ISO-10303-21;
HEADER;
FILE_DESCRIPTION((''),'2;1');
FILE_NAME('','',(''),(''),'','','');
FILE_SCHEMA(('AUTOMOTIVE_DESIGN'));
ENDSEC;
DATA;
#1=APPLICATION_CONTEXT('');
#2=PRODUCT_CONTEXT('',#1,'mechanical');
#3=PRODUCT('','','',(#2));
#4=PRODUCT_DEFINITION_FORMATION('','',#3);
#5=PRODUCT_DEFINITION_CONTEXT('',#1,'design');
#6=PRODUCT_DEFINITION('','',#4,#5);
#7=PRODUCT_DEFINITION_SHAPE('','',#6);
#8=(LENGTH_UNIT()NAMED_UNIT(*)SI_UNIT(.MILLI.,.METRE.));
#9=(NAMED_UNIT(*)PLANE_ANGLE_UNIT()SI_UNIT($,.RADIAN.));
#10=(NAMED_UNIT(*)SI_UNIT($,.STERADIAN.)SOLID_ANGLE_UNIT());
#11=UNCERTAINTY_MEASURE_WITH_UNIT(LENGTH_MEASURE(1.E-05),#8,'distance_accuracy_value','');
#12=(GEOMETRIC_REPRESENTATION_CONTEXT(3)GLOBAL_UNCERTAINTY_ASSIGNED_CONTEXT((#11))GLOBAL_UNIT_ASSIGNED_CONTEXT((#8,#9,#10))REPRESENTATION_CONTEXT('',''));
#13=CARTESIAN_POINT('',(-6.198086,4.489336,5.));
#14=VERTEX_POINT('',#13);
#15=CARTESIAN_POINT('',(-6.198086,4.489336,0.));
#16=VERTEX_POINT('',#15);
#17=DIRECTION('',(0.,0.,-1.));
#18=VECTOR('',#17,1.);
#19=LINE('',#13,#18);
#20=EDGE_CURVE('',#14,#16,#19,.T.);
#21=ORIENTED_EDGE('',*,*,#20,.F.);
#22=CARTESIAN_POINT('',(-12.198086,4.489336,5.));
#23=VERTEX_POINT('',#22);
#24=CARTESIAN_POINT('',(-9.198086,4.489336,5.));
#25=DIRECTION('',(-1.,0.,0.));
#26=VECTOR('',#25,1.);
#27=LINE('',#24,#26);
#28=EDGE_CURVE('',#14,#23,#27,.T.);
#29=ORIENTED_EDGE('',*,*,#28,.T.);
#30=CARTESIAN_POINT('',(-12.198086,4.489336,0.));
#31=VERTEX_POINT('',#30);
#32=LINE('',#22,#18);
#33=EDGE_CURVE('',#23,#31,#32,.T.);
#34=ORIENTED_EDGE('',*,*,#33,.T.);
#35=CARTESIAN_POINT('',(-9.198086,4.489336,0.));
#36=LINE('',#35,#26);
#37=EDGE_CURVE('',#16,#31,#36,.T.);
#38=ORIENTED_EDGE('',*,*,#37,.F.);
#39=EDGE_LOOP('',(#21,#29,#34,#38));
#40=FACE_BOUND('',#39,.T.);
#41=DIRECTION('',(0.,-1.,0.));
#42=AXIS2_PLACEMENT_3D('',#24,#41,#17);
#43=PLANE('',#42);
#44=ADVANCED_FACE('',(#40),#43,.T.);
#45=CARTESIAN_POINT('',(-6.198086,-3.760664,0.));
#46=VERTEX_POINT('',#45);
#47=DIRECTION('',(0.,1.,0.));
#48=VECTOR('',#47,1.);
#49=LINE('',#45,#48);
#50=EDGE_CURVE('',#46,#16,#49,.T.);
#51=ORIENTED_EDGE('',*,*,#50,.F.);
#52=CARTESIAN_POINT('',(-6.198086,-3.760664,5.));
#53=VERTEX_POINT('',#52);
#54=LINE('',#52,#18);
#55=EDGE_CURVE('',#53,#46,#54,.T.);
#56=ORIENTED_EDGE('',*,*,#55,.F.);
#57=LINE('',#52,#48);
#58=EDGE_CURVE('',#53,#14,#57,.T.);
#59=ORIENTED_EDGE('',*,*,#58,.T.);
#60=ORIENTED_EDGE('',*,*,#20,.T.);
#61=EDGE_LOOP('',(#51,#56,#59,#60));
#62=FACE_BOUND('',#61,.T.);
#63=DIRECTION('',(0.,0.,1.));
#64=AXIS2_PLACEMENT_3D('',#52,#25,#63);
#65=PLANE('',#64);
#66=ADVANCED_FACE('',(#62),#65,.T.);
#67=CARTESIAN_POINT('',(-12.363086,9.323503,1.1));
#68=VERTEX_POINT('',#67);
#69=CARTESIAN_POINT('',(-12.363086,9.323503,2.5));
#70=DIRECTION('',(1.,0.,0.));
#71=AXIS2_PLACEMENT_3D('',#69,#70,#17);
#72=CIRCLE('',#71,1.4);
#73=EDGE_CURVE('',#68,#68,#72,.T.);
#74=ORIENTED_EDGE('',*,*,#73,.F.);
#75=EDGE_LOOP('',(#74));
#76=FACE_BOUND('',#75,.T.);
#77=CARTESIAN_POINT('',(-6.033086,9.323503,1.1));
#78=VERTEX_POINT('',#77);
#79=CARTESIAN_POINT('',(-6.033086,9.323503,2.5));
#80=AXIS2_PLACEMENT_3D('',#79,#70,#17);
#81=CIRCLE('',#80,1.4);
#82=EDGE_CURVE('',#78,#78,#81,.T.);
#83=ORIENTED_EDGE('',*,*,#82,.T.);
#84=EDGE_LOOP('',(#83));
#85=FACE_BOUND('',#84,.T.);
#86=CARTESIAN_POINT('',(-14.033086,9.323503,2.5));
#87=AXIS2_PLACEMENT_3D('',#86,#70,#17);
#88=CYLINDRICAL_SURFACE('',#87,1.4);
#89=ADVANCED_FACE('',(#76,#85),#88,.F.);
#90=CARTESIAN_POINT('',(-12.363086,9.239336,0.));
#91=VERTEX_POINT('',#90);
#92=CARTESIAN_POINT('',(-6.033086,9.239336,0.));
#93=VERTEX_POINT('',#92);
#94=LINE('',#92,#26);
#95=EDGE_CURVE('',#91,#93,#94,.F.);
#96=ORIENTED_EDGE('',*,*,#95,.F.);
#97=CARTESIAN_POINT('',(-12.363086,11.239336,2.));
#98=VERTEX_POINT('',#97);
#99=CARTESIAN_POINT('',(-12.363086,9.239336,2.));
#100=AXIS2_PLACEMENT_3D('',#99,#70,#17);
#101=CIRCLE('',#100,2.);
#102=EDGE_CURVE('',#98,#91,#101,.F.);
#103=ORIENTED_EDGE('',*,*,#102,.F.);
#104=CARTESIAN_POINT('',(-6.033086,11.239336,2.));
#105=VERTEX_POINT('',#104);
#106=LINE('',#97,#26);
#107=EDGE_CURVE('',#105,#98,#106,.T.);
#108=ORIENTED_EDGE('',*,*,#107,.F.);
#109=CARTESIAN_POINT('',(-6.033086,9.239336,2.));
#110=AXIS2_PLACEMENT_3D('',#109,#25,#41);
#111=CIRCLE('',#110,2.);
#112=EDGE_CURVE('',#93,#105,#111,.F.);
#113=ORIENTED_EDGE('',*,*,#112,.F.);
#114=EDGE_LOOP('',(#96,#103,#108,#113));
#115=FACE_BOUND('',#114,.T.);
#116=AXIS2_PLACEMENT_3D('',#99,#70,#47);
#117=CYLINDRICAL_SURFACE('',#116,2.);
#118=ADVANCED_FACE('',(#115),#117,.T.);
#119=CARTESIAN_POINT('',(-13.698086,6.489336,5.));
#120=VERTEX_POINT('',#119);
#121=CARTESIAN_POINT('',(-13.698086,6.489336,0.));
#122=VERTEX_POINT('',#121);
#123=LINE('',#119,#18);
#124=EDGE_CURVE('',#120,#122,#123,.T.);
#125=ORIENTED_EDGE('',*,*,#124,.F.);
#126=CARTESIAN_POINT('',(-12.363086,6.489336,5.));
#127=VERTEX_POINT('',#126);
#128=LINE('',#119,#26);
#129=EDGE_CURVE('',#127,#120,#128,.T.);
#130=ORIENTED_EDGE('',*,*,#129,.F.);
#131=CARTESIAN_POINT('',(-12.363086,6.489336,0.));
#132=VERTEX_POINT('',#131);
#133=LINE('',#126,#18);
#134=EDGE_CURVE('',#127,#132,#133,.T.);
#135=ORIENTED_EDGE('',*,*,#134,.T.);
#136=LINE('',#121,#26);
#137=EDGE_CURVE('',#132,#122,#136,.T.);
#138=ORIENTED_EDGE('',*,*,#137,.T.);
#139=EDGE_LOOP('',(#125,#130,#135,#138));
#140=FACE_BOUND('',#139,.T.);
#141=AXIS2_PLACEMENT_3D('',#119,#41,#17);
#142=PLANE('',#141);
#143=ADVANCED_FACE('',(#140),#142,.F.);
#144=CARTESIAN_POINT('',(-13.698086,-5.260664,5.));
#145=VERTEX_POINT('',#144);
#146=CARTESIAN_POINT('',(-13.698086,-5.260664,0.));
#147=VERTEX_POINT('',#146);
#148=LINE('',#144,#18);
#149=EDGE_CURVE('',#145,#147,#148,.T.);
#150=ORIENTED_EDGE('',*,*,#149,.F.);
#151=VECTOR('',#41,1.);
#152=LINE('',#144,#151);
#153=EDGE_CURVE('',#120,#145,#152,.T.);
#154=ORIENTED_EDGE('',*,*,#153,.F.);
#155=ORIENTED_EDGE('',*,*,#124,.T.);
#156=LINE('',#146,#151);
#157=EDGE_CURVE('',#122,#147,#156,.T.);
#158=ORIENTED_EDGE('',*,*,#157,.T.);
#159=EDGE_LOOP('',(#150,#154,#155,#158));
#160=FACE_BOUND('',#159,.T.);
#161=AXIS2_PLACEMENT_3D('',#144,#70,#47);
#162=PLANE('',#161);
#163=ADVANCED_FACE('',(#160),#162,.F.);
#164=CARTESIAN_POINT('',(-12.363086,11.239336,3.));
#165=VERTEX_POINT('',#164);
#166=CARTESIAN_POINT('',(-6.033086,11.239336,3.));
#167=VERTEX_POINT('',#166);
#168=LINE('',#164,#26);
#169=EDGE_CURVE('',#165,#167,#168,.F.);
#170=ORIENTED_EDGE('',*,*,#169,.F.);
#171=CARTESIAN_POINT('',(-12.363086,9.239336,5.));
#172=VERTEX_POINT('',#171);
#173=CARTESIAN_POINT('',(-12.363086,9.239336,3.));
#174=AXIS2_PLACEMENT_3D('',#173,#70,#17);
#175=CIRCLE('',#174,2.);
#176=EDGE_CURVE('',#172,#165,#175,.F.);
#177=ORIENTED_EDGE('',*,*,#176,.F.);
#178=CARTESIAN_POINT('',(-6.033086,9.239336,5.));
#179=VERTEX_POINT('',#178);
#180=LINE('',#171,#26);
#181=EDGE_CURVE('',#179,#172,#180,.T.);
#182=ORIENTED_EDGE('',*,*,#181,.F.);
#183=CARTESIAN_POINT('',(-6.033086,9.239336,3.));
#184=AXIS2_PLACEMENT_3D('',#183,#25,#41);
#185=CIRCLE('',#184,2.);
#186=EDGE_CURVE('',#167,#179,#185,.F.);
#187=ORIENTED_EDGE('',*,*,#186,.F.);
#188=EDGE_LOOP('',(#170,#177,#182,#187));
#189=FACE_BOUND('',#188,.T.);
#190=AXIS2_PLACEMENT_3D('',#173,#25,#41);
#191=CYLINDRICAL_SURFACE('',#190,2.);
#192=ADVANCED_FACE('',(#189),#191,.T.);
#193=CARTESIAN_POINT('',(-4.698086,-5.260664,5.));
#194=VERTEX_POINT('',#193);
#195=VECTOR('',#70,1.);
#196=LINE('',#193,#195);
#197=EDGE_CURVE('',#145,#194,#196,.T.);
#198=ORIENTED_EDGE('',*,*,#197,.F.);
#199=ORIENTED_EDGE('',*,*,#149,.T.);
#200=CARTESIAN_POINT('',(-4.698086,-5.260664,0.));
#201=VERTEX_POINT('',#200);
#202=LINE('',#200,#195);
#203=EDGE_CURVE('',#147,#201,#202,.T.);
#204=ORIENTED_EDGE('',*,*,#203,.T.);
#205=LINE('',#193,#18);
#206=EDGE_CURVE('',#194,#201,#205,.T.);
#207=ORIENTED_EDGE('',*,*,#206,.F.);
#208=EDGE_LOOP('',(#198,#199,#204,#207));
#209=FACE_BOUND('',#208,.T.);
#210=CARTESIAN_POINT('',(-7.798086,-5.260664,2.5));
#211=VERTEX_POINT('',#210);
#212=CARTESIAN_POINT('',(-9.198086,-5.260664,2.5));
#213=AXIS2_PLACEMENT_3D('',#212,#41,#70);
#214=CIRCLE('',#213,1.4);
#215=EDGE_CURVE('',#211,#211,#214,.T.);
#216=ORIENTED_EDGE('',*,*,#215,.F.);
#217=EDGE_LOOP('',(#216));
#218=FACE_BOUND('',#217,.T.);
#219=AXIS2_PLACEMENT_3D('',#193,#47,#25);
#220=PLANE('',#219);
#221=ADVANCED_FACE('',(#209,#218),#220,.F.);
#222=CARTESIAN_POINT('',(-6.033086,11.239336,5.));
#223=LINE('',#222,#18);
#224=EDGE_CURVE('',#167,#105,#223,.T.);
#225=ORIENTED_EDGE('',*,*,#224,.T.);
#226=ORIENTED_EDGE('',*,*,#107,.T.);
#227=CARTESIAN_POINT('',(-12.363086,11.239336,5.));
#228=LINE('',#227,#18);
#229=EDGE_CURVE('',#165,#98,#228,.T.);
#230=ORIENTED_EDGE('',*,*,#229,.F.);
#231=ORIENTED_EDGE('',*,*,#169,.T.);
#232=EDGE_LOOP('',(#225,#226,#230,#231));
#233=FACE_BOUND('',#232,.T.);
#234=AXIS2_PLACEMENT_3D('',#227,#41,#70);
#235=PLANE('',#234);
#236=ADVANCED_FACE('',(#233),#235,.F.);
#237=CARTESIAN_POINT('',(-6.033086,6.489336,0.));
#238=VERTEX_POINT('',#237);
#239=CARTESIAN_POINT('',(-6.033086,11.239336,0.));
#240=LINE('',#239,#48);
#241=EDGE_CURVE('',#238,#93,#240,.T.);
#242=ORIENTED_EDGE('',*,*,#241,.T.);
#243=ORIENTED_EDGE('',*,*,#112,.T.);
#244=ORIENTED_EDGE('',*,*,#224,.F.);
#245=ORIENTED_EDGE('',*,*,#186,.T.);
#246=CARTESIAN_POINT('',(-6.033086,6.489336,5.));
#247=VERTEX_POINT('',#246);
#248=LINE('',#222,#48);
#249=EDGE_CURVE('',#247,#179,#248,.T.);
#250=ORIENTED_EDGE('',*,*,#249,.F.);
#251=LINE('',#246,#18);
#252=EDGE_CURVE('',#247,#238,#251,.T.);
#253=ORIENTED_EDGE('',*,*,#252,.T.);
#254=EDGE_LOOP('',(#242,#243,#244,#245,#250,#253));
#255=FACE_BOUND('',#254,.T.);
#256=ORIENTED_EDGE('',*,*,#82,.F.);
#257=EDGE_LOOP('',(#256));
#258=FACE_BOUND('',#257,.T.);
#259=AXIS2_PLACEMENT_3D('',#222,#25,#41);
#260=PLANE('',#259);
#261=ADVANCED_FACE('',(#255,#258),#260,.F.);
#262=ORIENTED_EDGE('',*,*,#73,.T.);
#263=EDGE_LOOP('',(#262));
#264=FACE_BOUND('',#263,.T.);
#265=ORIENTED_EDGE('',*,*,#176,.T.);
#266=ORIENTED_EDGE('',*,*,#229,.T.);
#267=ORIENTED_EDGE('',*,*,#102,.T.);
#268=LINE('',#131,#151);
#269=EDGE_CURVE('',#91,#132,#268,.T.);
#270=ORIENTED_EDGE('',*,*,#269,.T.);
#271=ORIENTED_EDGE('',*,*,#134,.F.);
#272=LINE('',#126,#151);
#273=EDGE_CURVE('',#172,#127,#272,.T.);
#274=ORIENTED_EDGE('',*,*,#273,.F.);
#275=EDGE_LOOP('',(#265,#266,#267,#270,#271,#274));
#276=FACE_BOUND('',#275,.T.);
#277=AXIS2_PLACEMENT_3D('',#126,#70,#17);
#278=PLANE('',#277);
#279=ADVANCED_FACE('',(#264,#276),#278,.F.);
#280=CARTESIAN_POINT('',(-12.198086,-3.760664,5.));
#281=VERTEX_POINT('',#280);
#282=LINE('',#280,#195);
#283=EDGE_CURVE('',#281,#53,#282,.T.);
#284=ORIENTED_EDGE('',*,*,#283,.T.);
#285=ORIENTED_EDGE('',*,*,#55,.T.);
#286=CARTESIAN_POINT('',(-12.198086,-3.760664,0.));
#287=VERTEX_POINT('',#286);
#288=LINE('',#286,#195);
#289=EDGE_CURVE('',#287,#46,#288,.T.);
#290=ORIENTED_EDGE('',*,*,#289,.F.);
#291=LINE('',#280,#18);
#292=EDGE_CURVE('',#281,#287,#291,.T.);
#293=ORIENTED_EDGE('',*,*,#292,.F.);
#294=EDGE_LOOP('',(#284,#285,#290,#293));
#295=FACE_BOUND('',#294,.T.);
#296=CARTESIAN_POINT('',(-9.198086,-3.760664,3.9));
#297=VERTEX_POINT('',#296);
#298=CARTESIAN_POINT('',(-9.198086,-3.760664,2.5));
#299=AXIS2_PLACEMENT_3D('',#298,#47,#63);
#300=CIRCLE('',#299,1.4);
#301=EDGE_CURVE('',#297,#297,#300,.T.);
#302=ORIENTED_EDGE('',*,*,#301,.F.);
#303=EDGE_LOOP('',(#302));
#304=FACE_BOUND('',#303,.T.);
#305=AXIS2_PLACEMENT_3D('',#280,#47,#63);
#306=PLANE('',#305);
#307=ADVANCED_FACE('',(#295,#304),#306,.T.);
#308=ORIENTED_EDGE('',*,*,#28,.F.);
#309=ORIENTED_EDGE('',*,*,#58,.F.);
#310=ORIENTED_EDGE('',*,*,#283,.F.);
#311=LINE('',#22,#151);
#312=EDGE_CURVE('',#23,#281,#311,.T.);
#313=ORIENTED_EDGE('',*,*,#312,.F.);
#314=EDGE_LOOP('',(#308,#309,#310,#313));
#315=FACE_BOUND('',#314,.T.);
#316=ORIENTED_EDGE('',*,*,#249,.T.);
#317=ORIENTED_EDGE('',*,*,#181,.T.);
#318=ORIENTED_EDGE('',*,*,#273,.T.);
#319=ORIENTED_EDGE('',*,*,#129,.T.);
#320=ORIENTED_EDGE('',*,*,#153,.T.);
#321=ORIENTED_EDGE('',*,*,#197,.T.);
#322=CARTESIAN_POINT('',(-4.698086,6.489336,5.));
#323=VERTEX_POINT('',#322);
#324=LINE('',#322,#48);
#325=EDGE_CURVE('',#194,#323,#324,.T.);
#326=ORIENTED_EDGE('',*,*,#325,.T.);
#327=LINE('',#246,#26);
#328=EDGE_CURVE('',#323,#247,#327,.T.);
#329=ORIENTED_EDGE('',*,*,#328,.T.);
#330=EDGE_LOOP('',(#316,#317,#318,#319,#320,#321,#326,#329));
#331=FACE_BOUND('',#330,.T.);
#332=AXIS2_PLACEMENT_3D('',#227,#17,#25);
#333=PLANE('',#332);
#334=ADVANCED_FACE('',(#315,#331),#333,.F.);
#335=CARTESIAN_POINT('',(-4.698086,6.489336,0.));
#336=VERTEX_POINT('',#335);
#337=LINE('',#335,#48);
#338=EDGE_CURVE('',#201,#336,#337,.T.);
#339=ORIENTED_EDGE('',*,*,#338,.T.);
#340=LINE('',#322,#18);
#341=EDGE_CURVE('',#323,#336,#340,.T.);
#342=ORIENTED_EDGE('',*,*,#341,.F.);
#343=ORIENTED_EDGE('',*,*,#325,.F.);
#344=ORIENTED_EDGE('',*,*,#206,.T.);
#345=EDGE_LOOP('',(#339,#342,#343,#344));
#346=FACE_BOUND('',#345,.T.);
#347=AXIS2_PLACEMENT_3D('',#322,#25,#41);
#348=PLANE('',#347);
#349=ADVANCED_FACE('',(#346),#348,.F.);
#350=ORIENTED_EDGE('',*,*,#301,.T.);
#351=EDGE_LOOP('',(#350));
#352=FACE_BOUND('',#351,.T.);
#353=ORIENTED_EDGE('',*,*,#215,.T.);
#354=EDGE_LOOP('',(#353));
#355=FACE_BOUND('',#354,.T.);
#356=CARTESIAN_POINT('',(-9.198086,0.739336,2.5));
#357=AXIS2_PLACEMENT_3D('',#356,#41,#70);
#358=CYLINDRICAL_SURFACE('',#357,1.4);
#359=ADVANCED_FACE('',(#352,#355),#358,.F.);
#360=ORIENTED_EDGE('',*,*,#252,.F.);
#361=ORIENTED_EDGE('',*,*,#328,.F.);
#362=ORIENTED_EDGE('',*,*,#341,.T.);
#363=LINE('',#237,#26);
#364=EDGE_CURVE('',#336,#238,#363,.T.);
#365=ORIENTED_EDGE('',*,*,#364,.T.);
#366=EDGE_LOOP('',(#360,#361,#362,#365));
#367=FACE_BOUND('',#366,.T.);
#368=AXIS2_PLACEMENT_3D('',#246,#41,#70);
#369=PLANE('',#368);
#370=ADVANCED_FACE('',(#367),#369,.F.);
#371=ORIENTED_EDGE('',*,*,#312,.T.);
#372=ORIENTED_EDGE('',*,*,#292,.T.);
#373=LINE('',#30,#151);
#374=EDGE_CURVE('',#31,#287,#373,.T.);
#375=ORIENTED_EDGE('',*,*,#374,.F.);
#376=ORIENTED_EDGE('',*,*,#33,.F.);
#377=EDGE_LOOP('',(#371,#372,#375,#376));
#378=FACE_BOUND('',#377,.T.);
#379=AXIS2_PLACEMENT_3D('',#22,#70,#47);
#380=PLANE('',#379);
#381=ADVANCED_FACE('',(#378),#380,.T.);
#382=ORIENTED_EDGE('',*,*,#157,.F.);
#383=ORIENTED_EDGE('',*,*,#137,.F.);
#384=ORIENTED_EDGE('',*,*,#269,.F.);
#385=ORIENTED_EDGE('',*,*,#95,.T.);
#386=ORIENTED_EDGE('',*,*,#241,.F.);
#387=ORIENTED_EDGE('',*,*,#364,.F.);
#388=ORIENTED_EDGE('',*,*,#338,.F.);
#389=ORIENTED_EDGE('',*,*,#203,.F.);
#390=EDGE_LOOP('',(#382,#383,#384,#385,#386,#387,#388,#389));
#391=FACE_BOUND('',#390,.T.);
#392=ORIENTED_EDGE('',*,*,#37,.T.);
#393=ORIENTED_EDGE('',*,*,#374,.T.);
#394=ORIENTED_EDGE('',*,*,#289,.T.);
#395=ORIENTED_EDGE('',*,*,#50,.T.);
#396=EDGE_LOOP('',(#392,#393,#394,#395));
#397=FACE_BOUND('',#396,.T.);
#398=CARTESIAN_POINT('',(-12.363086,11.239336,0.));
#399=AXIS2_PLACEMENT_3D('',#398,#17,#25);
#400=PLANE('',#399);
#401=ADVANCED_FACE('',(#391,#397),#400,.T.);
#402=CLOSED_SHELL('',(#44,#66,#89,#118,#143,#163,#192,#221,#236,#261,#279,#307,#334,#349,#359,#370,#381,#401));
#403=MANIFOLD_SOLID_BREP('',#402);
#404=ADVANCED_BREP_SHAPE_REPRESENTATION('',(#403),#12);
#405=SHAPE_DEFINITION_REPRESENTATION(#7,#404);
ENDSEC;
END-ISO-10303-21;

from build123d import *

# Parameters (mm, degrees)
BOSS_EXTRUDE1_DEPTH = 5
SKETCH2_R           = 1.4
CUT_EXTRUDE1_DEPTH  = 8
SKETCH3_R           = 1.4
CUT_EXTRUDE2_DEPTH  = 6
FILLET1_R           = 2


with BuildPart() as part:
    # Sketch1 → Boss-Extrude1 (new body)
    with BuildSketch(Plane.XY):
        Polygon((-12.363085779, 11.239336475), (-6.033085779, 11.239336475), (-6.033085779, 6.489336475), (-4.698085779, 6.489336475), (-4.698085779, -5.260663525), (-13.698085779, -5.260663525), (-13.698085779, 6.489336475), (-12.363085779, 6.489336475), align=None)
        Polygon((-9.198085779, 4.489336475), (-6.198085779, 4.489336475), (-6.198085779, -3.760663525), (-12.198085779, -3.760663525), (-12.198085779, 4.489336475), align=None, mode=Mode.SUBTRACT)
    extrude(amount=BOSS_EXTRUDE1_DEPTH)

    # Sketch2 → Cut-Extrude1 (cut)
    with BuildSketch(Plane(origin=(-6.033085779, 0, 0), x_dir=(0, 0, -1), z_dir=(1, 0, 0))):
        with Locations((-2.5, 9.323502588)):
            Circle(SKETCH2_R)
    extrude(amount=-CUT_EXTRUDE1_DEPTH, mode=Mode.SUBTRACT)

    # Sketch3 → Cut-Extrude2 (cut)
    with BuildSketch(Plane.XZ.offset(5.260663525)):
        with Locations((-9.198085779, 2.5)):
            Circle(SKETCH3_R)
    extrude(amount=-CUT_EXTRUDE2_DEPTH, mode=Mode.SUBTRACT)

    # Fillet1
    fillet1_edges = [part.edges().sort_by_distance(p)[0] for p in [
        (-9.198085779, 11.239336475, 5),
        (-9.198085779, 11.239336475, 0),
    ]]
    fillet(fillet1_edges, radius=FILLET1_R)


solid = part.part
